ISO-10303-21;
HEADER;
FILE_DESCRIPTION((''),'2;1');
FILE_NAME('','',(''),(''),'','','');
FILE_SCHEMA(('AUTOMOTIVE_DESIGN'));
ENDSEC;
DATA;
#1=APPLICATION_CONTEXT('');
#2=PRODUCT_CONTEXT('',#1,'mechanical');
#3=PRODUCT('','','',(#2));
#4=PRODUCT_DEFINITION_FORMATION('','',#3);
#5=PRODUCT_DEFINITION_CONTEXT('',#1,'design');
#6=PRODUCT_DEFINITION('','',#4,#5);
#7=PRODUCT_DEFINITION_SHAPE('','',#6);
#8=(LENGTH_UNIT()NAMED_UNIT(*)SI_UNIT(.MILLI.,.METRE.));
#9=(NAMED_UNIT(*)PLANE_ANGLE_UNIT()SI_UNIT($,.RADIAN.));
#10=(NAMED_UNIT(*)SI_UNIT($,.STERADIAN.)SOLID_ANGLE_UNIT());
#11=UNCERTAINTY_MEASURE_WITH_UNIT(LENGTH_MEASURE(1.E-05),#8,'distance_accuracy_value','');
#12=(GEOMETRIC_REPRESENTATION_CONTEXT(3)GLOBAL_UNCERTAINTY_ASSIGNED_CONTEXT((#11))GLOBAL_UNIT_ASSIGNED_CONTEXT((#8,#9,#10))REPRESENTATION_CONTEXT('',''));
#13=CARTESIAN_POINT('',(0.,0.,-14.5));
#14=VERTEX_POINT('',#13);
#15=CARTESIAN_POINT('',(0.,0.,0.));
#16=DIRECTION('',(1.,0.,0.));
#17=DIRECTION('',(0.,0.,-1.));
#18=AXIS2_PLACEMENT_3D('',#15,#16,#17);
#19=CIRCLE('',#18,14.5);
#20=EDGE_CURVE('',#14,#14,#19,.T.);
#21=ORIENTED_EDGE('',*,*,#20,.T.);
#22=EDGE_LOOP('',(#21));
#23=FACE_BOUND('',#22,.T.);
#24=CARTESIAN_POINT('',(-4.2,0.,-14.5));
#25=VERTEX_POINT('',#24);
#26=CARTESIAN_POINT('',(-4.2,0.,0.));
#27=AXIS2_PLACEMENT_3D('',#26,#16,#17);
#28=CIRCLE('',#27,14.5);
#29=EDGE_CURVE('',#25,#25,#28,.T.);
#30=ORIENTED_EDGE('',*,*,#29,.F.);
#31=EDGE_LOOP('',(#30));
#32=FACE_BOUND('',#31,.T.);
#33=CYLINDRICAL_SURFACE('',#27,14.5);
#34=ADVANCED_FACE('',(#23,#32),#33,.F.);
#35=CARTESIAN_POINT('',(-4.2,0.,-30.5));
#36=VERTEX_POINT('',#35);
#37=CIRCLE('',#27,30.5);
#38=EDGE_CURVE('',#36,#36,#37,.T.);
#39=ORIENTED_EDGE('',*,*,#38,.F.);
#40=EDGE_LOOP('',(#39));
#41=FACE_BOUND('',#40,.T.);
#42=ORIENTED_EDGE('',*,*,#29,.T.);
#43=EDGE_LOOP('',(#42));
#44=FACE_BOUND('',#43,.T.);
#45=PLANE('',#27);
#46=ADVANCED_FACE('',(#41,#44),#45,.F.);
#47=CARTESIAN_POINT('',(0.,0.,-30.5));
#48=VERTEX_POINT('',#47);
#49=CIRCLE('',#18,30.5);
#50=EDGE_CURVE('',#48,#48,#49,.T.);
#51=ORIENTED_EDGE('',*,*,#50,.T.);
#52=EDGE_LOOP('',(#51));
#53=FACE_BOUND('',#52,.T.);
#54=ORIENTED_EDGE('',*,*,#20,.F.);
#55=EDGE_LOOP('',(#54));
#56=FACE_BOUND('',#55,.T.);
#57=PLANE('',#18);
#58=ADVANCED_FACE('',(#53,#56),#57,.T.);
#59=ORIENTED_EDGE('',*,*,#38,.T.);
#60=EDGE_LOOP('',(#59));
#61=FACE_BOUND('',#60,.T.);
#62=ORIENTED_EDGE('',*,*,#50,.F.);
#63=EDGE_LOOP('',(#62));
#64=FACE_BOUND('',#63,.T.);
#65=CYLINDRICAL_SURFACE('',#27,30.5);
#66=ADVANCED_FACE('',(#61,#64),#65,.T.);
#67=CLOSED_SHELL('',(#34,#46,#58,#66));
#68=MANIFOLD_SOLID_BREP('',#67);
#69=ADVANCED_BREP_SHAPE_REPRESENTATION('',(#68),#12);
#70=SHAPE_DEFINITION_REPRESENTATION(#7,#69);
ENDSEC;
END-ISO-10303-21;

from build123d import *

# Parameters (mm, degrees)
SKETCH1_R           = 30.5
SKETCH1_R_2         = 14.5
BOSS_EXTRUDE1_DEPTH = 4.2


with BuildPart() as part:
    # Sketch1 → Boss-Extrude1 (new body)
    with BuildSketch(Plane(origin=(0, 0, 0), x_dir=(0, 0, -1), z_dir=(1, 0, 0))):
        Circle(SKETCH1_R)
        Circle(SKETCH1_R_2, mode=Mode.SUBTRACT)
    extrude(amount=-BOSS_EXTRUDE1_DEPTH)


solid = part.part
